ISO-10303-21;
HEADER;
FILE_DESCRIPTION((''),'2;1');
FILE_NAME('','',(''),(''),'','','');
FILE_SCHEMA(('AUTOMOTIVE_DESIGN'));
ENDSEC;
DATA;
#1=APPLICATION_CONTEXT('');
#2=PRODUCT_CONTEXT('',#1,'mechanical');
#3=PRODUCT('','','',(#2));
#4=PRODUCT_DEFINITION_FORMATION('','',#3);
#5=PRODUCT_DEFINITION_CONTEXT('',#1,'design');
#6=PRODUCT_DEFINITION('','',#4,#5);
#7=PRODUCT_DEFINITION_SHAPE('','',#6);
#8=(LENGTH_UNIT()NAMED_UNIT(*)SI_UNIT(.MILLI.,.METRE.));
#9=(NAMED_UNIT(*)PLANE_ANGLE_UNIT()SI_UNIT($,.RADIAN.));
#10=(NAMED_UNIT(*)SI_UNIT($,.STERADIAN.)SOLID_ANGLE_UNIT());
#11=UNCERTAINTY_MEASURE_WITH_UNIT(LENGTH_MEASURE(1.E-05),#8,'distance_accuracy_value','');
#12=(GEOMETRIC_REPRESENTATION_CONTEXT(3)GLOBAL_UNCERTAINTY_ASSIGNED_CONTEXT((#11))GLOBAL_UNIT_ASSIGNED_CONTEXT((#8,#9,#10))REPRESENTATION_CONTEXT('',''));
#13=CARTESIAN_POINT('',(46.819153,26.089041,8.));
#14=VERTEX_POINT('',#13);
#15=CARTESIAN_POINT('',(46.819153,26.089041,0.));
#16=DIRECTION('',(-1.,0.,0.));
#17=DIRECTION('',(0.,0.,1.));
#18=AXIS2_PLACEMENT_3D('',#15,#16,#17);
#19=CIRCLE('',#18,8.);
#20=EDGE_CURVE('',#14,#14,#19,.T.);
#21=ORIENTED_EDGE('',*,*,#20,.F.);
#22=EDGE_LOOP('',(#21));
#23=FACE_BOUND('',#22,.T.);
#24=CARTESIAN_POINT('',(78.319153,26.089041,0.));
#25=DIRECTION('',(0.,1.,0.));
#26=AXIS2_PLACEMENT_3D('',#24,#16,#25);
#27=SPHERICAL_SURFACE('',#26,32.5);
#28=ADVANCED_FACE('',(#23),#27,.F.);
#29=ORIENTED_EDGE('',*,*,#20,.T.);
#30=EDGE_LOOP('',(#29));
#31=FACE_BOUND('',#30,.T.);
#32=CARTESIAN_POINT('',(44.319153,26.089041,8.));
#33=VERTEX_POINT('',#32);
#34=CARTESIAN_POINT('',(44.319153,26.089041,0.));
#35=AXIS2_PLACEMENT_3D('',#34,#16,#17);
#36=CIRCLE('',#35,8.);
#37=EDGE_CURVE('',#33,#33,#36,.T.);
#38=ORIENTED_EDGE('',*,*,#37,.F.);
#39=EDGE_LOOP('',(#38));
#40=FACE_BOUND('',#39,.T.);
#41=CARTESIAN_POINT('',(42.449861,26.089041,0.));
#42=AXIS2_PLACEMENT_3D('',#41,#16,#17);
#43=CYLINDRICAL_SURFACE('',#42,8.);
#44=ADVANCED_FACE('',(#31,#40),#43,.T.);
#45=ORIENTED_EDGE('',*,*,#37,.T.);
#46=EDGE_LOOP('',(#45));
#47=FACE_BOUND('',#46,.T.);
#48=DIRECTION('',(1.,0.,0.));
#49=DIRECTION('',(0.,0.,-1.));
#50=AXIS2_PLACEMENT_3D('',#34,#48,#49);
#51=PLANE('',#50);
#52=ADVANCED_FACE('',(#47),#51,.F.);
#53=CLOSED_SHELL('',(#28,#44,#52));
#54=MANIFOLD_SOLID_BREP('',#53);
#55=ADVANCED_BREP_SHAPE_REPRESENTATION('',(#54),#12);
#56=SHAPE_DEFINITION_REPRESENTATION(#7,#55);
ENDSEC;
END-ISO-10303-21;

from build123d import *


with BuildPart() as part:
    # 草图1 → 旋转1 (revolve)
    with BuildSketch(Plane.XY):
        with BuildLine():
            Line((44.319152693, 26.089041149), (44.319152693, 34.089041149))
            Line((44.319152693, 34.089041149), (46.819152658, 34.089041149))
            ThreePointArc((46.819152658, 34.089041149), (46.070121664, 30.120170023), (45.819152658, 26.089041149))
            Line((45.819152658, 26.089041149), (44.319152693, 26.089041149))
        make_face()
    revolve(axis=Axis((42.449861114, 26.089041149, 0), (1, 0, 0)))


solid = part.part
